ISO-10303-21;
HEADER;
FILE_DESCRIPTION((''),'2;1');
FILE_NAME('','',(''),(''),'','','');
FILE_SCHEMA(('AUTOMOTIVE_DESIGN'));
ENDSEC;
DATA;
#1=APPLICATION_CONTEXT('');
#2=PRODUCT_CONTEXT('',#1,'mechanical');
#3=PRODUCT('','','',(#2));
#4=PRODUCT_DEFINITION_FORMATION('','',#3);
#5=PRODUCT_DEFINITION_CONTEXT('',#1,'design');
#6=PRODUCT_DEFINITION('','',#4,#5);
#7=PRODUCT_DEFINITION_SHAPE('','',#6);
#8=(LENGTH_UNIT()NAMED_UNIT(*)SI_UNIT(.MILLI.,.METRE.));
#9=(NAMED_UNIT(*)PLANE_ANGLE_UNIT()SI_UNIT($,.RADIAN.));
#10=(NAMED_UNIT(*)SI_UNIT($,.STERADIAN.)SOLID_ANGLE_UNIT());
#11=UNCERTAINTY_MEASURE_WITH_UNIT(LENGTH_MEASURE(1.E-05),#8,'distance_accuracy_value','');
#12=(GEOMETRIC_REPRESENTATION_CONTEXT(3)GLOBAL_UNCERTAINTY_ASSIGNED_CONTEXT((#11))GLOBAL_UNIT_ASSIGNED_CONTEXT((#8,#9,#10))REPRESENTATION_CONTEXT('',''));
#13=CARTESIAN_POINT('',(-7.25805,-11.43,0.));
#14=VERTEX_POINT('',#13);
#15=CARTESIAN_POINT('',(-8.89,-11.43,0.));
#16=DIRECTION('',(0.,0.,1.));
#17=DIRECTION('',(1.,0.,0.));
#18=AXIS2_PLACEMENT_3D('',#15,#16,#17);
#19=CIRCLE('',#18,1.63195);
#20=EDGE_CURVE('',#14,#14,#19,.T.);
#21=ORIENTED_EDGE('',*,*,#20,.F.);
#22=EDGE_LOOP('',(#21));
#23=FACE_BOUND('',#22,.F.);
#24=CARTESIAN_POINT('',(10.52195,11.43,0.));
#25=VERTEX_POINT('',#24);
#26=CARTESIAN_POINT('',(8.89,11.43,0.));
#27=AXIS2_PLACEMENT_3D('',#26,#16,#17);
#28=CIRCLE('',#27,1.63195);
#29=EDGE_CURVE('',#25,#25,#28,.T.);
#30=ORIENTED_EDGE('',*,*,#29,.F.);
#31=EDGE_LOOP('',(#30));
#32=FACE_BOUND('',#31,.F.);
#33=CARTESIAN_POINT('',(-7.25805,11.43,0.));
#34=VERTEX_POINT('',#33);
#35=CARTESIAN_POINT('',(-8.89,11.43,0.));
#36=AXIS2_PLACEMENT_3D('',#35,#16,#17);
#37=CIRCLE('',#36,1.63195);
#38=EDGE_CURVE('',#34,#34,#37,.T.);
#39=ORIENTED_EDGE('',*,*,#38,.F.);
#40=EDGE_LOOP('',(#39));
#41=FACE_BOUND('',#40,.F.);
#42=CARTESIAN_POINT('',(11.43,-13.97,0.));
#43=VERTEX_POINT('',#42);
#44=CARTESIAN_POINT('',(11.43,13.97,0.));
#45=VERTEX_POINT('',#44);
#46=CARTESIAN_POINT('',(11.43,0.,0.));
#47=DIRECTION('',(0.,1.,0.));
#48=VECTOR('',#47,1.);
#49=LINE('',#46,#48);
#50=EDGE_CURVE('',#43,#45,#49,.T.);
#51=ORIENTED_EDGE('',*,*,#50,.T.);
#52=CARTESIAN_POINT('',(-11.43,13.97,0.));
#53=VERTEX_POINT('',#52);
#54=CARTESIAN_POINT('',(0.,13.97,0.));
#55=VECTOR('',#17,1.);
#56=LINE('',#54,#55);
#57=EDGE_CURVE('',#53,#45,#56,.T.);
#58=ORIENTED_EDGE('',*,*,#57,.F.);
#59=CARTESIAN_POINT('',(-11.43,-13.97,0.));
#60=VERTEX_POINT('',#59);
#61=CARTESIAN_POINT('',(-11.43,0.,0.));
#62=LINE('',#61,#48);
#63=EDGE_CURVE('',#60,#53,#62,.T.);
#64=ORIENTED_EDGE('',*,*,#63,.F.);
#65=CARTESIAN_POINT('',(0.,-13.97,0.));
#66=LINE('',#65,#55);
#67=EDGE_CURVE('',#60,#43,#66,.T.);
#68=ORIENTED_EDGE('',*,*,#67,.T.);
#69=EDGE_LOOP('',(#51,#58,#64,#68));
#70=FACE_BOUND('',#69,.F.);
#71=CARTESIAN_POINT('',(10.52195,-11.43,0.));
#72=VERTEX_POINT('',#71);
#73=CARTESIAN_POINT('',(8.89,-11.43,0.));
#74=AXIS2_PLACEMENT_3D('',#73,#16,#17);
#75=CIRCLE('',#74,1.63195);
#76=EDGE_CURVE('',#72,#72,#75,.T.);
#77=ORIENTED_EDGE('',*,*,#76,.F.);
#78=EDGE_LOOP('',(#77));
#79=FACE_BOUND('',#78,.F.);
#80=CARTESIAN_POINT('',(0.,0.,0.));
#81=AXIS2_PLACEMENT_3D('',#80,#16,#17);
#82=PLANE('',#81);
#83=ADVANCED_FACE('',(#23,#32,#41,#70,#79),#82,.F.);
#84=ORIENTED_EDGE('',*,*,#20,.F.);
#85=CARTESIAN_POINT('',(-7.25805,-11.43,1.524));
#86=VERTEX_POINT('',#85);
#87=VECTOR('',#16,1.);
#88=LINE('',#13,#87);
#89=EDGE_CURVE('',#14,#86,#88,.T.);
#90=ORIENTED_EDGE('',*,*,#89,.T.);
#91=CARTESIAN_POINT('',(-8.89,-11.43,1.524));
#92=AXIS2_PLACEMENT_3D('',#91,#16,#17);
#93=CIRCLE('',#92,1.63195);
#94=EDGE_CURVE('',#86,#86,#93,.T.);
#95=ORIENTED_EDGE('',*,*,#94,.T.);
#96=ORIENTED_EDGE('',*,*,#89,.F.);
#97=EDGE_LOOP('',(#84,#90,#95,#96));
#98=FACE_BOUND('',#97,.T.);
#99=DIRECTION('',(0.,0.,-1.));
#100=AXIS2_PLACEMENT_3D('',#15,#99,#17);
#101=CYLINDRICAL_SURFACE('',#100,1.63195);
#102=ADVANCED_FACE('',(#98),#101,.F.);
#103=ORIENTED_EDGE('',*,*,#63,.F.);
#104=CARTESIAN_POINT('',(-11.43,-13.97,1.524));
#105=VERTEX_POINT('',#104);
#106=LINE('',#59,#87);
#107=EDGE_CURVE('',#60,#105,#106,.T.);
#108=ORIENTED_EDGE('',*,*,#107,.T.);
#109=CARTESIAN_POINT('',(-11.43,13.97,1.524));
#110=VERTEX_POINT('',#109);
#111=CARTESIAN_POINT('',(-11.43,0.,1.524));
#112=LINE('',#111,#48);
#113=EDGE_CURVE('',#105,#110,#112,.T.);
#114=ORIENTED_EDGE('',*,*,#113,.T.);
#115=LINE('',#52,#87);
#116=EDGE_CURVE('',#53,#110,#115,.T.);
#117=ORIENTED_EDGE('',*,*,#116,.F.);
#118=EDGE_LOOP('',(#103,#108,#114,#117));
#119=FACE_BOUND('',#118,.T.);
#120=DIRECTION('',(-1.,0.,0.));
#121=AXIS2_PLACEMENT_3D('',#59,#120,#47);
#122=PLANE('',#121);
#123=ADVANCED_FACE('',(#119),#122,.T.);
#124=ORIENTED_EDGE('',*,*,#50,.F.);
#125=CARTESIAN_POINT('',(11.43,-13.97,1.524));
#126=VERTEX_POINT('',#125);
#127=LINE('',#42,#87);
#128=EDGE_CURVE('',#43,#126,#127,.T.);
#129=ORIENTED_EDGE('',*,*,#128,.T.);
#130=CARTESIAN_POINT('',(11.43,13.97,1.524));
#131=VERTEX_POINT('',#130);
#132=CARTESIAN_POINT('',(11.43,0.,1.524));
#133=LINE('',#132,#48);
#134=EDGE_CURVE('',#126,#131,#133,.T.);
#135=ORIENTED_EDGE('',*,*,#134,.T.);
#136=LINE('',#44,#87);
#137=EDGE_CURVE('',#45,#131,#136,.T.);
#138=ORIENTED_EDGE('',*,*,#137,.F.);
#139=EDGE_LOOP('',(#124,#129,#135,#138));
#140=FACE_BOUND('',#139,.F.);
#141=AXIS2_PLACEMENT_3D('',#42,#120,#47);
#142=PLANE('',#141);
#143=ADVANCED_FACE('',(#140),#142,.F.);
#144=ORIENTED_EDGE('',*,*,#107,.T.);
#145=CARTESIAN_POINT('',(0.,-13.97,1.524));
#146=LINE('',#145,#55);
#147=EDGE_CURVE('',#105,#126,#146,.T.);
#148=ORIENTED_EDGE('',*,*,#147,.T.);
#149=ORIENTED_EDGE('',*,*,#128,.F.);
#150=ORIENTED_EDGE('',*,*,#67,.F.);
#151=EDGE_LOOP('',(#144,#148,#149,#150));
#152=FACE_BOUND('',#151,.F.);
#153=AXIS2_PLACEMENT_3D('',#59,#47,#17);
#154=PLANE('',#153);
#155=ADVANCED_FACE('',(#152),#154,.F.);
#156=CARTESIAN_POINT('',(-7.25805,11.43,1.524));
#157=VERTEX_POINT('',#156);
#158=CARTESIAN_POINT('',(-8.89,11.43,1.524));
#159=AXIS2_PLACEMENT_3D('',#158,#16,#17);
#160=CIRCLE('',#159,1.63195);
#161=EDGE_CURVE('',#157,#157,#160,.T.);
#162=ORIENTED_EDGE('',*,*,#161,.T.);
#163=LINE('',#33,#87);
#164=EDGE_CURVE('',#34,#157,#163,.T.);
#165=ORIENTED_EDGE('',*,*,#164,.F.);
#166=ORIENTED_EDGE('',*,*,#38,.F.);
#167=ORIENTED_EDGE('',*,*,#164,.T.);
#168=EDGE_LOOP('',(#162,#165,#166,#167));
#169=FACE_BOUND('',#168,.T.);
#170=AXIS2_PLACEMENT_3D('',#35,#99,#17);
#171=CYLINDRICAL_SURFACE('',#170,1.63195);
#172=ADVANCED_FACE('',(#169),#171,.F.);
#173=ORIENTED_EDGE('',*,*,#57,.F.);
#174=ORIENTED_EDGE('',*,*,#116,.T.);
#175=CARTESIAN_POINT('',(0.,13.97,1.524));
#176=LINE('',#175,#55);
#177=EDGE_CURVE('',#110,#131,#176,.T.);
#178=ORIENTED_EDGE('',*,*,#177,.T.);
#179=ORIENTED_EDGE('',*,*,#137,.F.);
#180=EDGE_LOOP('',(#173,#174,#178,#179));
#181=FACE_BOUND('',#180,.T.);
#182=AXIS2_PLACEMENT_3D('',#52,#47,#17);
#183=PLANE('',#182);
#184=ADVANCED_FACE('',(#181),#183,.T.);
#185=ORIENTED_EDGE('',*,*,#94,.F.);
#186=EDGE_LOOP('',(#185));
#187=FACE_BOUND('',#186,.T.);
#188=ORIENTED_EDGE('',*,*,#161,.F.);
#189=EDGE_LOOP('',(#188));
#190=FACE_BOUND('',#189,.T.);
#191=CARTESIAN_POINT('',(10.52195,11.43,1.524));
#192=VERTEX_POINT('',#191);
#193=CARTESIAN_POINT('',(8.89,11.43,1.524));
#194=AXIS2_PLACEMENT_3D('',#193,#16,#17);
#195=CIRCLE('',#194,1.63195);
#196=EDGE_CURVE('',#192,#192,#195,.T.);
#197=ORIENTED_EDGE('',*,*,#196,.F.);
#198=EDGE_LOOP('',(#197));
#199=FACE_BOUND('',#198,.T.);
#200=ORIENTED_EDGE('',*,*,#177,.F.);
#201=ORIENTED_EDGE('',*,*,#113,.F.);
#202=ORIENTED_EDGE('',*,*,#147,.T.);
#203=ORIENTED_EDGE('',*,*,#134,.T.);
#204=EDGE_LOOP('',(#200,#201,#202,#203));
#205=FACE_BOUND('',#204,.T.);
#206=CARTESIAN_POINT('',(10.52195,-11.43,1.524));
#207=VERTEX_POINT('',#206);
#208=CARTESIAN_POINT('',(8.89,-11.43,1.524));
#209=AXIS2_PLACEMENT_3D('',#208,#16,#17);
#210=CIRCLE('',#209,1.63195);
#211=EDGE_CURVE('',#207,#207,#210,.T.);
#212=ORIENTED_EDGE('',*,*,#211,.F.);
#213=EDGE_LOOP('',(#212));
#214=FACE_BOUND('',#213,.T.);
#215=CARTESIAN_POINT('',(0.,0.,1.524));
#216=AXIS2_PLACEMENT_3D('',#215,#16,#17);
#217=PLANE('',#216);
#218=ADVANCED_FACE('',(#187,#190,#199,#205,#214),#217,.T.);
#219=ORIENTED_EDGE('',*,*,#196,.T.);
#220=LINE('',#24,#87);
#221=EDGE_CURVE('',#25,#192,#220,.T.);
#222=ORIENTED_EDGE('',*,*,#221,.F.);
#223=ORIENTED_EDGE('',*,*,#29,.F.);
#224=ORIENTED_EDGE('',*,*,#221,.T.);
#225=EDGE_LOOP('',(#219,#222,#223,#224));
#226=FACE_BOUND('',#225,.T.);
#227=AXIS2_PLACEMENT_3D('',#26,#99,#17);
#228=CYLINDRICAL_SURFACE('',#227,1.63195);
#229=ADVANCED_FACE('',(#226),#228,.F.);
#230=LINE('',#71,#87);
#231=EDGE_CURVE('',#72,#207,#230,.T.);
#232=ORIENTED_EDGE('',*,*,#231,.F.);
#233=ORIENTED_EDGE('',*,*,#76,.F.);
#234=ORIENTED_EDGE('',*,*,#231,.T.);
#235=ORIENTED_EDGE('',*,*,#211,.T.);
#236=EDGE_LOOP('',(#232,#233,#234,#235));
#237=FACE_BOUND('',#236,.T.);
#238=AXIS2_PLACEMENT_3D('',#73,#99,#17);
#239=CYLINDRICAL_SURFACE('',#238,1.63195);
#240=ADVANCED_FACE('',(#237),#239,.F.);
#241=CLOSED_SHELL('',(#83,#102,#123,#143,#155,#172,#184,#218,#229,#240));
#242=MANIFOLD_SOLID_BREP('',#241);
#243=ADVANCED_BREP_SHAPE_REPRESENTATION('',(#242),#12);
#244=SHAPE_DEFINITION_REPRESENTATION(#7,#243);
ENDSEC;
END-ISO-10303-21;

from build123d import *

# Parameters (mm, degrees)
SKETCH1_W           = 22.86
SKETCH1_H           = 27.94
SKETCH1_R           = 1.63195
BOSS_EXTRUDE1_DEPTH = 1.524


with BuildPart() as part:
    # Sketch1 → Boss-Extrude1 (new body)
    with BuildSketch(Plane.XY):
        Rectangle(SKETCH1_W, SKETCH1_H)
        with Locations((-8.89, 11.43)):
            Circle(SKETCH1_R, mode=Mode.SUBTRACT)
        with Locations((8.89, 11.43)):
            Circle(SKETCH1_R, mode=Mode.SUBTRACT)
        with Locations((8.89, -11.43)):
            Circle(SKETCH1_R, mode=Mode.SUBTRACT)
        with Locations((-8.89, -11.43)):
            Circle(SKETCH1_R, mode=Mode.SUBTRACT)
    extrude(amount=BOSS_EXTRUDE1_DEPTH)


solid = part.part
